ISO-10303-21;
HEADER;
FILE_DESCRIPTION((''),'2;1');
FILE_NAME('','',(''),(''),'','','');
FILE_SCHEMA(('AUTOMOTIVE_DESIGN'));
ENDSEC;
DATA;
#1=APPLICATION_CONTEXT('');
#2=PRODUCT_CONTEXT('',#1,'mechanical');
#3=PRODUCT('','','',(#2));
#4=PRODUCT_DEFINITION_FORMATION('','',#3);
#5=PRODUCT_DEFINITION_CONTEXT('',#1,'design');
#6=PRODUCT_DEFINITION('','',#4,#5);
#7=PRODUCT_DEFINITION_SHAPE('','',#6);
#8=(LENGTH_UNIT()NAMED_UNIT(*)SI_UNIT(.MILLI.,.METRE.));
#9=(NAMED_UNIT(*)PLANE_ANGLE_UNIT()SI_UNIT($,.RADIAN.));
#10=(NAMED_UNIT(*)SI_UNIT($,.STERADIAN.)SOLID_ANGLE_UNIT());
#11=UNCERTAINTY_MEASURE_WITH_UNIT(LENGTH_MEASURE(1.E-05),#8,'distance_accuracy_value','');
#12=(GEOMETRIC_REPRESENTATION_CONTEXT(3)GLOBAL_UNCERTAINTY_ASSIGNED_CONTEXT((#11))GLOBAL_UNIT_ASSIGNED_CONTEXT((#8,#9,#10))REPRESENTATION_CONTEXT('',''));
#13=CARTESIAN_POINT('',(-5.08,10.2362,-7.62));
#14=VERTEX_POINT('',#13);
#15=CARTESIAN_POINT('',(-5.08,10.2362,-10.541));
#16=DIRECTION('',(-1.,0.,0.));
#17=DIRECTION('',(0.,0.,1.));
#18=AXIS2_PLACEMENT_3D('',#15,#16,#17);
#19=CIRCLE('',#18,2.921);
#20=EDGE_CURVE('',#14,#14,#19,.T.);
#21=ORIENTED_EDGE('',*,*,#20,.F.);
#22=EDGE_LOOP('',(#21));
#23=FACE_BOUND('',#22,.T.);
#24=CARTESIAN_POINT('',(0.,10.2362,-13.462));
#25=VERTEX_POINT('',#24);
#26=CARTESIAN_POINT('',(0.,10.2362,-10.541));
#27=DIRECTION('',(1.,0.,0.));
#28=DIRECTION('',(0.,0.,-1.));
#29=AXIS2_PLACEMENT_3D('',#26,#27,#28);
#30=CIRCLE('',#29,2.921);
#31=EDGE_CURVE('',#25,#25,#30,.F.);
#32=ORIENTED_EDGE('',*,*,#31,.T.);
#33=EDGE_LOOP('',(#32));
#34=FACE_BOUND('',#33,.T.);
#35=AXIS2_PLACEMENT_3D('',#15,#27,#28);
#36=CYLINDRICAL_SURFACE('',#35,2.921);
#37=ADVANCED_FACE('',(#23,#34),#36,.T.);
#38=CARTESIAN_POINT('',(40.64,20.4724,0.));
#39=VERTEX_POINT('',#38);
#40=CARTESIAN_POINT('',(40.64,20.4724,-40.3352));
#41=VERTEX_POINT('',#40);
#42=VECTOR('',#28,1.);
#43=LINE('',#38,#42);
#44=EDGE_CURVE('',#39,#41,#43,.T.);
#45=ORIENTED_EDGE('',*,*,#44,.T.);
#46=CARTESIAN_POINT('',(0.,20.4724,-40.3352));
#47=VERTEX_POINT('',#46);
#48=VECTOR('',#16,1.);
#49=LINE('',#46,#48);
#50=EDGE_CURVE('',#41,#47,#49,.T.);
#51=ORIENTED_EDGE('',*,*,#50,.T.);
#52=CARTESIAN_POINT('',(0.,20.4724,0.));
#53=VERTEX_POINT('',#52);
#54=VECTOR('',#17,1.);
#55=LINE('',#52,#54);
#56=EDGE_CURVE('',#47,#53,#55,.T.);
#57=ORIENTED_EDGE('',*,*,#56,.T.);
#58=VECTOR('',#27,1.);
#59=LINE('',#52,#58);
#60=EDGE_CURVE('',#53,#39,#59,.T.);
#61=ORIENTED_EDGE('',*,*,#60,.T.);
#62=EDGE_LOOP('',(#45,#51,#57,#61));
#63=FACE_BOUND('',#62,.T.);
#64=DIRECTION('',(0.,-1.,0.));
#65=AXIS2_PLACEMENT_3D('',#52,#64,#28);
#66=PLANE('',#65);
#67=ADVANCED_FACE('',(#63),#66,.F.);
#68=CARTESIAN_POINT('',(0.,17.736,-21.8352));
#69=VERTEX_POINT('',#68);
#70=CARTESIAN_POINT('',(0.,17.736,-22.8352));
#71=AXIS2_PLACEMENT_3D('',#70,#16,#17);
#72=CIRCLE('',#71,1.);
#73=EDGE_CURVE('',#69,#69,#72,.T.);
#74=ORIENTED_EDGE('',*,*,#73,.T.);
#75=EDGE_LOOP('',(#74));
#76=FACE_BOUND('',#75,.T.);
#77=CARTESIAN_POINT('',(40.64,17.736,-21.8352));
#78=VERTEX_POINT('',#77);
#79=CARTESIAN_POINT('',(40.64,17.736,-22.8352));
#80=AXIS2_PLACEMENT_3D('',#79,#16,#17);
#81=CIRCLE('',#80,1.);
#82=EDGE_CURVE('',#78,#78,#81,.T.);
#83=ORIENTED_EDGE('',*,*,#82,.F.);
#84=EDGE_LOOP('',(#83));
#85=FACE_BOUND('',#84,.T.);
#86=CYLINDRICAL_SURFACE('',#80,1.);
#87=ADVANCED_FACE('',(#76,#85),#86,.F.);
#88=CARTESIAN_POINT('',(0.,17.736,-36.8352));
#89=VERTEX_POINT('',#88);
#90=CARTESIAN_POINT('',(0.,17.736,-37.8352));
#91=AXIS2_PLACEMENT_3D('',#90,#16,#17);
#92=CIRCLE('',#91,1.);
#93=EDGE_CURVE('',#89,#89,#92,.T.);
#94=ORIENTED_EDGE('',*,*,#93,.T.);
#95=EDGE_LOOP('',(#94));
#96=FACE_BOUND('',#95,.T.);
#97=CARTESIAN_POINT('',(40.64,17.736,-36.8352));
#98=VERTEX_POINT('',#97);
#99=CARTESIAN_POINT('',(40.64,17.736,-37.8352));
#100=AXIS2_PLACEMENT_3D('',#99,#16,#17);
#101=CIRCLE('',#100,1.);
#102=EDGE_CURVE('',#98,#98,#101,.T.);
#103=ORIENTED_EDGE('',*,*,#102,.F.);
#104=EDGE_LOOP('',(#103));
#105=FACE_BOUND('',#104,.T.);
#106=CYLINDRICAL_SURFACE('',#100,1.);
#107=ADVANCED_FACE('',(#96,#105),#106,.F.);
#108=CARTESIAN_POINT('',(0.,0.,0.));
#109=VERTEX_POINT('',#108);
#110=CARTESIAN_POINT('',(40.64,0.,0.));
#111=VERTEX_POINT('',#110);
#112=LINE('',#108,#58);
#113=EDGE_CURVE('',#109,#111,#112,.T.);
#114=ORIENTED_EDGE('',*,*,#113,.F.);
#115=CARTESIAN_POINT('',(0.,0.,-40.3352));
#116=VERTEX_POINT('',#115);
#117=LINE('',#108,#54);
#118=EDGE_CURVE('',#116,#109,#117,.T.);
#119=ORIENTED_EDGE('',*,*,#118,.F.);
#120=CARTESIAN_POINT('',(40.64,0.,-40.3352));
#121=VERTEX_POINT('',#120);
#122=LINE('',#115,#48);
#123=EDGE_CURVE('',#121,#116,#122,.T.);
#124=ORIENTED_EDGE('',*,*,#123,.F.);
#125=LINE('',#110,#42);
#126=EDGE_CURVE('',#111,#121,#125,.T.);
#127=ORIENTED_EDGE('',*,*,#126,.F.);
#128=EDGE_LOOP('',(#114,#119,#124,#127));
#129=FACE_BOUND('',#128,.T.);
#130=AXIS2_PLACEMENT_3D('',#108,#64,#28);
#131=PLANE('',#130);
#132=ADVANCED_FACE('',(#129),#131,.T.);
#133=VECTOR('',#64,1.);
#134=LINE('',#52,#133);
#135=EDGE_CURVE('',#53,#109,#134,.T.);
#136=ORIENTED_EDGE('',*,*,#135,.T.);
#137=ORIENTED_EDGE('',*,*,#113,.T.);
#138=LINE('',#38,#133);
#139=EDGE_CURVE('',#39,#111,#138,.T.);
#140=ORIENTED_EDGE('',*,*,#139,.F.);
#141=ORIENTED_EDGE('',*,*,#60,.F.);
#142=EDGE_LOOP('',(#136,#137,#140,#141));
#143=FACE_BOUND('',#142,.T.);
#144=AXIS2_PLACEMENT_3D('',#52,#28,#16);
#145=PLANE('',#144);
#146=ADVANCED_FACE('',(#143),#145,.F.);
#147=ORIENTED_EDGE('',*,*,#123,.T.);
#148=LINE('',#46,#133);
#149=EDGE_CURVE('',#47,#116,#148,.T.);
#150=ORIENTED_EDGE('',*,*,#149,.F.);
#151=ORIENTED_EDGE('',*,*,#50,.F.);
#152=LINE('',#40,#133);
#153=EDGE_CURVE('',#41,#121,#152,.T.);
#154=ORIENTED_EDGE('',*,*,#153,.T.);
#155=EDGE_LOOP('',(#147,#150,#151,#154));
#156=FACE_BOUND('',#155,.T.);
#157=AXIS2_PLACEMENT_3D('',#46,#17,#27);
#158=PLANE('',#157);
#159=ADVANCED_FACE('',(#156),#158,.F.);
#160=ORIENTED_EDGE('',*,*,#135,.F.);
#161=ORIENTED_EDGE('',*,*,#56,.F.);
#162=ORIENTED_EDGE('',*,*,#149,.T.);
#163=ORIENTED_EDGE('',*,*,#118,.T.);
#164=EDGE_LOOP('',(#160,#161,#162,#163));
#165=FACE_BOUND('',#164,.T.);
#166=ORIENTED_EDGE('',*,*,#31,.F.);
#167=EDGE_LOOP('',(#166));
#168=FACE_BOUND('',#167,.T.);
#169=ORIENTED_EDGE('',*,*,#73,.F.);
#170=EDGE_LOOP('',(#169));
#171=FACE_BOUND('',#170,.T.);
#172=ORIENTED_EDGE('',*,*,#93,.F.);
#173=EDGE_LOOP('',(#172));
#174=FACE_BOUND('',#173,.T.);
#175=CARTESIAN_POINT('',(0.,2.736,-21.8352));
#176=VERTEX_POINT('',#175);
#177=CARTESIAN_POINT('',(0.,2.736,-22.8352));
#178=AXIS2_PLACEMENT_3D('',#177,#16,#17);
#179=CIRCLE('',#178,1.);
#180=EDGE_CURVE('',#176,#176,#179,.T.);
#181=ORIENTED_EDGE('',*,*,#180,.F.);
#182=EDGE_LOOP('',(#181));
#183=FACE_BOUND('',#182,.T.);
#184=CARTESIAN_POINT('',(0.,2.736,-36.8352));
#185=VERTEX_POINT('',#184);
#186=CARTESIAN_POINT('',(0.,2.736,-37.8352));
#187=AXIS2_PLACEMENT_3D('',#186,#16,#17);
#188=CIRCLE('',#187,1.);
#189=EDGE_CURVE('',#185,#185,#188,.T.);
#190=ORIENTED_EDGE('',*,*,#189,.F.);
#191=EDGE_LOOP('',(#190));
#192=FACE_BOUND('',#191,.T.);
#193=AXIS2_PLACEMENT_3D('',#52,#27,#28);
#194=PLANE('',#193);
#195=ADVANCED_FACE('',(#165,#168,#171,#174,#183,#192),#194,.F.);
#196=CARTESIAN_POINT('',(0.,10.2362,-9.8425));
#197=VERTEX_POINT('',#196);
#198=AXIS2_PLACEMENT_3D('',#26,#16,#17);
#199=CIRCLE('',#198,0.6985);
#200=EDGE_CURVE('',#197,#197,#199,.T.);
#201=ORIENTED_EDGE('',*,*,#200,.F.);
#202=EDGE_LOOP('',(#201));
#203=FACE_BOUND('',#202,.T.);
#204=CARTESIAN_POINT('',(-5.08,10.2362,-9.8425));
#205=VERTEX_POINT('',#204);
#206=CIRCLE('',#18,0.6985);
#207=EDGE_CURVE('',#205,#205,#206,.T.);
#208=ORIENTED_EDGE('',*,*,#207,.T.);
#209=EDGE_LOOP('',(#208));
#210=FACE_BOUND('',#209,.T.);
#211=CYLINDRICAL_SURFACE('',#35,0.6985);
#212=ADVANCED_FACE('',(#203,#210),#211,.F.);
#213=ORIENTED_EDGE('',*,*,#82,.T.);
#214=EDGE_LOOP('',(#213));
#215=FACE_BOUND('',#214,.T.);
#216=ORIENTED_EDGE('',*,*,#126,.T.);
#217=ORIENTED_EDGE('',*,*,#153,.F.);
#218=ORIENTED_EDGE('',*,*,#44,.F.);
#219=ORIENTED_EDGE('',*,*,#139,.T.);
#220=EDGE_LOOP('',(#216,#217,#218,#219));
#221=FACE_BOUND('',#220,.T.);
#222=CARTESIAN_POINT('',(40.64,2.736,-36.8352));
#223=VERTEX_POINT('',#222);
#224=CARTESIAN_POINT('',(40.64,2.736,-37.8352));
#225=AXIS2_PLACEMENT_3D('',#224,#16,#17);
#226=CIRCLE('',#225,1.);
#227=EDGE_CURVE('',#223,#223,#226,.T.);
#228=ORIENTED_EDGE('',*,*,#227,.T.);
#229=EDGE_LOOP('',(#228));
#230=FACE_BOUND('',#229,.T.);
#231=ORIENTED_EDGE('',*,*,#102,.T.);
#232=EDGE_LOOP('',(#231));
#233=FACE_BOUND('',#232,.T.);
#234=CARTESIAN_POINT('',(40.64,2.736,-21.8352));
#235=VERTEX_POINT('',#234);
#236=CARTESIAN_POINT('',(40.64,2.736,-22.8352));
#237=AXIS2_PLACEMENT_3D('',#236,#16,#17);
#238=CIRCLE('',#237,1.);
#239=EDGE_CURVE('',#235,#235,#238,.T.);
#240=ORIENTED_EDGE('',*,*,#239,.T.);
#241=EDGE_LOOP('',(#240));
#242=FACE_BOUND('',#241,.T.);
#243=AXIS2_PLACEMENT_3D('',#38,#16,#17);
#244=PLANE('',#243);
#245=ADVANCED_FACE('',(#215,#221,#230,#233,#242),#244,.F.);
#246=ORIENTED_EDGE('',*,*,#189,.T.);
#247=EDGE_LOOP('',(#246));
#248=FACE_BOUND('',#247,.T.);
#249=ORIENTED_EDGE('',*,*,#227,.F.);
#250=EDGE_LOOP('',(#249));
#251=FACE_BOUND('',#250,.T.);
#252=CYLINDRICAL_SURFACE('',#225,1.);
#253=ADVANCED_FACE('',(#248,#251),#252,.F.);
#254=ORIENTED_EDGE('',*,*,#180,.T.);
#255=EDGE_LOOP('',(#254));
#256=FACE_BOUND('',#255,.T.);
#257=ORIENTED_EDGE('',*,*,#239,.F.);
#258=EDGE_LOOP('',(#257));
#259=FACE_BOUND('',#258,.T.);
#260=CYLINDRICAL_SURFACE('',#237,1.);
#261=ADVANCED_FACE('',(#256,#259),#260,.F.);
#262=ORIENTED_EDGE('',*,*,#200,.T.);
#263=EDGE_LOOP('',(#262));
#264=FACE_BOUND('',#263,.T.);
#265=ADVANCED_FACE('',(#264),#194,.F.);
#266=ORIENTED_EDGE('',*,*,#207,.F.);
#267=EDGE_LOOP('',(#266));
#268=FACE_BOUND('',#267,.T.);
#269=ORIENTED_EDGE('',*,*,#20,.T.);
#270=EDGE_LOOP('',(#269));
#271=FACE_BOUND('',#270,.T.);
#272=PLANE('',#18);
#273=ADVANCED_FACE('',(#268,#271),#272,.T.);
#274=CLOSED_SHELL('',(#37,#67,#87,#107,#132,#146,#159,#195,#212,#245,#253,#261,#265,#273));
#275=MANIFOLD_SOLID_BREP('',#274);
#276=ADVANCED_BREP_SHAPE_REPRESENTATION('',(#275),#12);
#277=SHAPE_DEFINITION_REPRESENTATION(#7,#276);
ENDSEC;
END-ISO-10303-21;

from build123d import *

# Parameters (mm, degrees)
SKETCH1_W           = 40.64
SKETCH1_H           = 40.3352
BOSS_EXTRUDE1_DEPTH = 20.4724
SKETCH3_R           = 2.921
SKETCH3_R_2         = 0.6985
BOSS_EXTRUDE2_DEPTH = 5.08
SKETCH4_R           = 1
CUT_EXTRUDE1_DEPTH  = 61.808363905


with BuildPart() as part:
    # Sketch1 → Boss-Extrude1 (new body)
    with BuildSketch(Plane(origin=(0, 0, 0), x_dir=(1, 0, 0), z_dir=(0, 1, 0))):
        with Locations((20.32, 20.1676)):
            Rectangle(SKETCH1_W, SKETCH1_H)
    extrude(amount=BOSS_EXTRUDE1_DEPTH)

    # Sketch3 → Boss-Extrude2 (add)
    with BuildSketch(Plane.ZY):
        with Locations(Location((-10.541, 10.2362, 0), (0, 0, 180))):
            Circle(SKETCH3_R)
        with Locations((-10.541, 10.2362)):
            Circle(SKETCH3_R_2, mode=Mode.SUBTRACT)
    extrude(amount=BOSS_EXTRUDE2_DEPTH)

    # Sketch4 → Cut-Extrude1 (cut, through all)
    with BuildSketch(Plane.ZY):
        with Locations((-37.8352, 17.736)):
            Circle(SKETCH4_R)
        with Locations((-37.8352, 2.736)):
            Circle(SKETCH4_R)
        with Locations((-22.8352, 17.736)):
            Circle(SKETCH4_R)
        with Locations((-22.8352, 2.736)):
            Circle(SKETCH4_R)
    extrude(amount=-CUT_EXTRUDE1_DEPTH, mode=Mode.SUBTRACT)


solid = part.part
